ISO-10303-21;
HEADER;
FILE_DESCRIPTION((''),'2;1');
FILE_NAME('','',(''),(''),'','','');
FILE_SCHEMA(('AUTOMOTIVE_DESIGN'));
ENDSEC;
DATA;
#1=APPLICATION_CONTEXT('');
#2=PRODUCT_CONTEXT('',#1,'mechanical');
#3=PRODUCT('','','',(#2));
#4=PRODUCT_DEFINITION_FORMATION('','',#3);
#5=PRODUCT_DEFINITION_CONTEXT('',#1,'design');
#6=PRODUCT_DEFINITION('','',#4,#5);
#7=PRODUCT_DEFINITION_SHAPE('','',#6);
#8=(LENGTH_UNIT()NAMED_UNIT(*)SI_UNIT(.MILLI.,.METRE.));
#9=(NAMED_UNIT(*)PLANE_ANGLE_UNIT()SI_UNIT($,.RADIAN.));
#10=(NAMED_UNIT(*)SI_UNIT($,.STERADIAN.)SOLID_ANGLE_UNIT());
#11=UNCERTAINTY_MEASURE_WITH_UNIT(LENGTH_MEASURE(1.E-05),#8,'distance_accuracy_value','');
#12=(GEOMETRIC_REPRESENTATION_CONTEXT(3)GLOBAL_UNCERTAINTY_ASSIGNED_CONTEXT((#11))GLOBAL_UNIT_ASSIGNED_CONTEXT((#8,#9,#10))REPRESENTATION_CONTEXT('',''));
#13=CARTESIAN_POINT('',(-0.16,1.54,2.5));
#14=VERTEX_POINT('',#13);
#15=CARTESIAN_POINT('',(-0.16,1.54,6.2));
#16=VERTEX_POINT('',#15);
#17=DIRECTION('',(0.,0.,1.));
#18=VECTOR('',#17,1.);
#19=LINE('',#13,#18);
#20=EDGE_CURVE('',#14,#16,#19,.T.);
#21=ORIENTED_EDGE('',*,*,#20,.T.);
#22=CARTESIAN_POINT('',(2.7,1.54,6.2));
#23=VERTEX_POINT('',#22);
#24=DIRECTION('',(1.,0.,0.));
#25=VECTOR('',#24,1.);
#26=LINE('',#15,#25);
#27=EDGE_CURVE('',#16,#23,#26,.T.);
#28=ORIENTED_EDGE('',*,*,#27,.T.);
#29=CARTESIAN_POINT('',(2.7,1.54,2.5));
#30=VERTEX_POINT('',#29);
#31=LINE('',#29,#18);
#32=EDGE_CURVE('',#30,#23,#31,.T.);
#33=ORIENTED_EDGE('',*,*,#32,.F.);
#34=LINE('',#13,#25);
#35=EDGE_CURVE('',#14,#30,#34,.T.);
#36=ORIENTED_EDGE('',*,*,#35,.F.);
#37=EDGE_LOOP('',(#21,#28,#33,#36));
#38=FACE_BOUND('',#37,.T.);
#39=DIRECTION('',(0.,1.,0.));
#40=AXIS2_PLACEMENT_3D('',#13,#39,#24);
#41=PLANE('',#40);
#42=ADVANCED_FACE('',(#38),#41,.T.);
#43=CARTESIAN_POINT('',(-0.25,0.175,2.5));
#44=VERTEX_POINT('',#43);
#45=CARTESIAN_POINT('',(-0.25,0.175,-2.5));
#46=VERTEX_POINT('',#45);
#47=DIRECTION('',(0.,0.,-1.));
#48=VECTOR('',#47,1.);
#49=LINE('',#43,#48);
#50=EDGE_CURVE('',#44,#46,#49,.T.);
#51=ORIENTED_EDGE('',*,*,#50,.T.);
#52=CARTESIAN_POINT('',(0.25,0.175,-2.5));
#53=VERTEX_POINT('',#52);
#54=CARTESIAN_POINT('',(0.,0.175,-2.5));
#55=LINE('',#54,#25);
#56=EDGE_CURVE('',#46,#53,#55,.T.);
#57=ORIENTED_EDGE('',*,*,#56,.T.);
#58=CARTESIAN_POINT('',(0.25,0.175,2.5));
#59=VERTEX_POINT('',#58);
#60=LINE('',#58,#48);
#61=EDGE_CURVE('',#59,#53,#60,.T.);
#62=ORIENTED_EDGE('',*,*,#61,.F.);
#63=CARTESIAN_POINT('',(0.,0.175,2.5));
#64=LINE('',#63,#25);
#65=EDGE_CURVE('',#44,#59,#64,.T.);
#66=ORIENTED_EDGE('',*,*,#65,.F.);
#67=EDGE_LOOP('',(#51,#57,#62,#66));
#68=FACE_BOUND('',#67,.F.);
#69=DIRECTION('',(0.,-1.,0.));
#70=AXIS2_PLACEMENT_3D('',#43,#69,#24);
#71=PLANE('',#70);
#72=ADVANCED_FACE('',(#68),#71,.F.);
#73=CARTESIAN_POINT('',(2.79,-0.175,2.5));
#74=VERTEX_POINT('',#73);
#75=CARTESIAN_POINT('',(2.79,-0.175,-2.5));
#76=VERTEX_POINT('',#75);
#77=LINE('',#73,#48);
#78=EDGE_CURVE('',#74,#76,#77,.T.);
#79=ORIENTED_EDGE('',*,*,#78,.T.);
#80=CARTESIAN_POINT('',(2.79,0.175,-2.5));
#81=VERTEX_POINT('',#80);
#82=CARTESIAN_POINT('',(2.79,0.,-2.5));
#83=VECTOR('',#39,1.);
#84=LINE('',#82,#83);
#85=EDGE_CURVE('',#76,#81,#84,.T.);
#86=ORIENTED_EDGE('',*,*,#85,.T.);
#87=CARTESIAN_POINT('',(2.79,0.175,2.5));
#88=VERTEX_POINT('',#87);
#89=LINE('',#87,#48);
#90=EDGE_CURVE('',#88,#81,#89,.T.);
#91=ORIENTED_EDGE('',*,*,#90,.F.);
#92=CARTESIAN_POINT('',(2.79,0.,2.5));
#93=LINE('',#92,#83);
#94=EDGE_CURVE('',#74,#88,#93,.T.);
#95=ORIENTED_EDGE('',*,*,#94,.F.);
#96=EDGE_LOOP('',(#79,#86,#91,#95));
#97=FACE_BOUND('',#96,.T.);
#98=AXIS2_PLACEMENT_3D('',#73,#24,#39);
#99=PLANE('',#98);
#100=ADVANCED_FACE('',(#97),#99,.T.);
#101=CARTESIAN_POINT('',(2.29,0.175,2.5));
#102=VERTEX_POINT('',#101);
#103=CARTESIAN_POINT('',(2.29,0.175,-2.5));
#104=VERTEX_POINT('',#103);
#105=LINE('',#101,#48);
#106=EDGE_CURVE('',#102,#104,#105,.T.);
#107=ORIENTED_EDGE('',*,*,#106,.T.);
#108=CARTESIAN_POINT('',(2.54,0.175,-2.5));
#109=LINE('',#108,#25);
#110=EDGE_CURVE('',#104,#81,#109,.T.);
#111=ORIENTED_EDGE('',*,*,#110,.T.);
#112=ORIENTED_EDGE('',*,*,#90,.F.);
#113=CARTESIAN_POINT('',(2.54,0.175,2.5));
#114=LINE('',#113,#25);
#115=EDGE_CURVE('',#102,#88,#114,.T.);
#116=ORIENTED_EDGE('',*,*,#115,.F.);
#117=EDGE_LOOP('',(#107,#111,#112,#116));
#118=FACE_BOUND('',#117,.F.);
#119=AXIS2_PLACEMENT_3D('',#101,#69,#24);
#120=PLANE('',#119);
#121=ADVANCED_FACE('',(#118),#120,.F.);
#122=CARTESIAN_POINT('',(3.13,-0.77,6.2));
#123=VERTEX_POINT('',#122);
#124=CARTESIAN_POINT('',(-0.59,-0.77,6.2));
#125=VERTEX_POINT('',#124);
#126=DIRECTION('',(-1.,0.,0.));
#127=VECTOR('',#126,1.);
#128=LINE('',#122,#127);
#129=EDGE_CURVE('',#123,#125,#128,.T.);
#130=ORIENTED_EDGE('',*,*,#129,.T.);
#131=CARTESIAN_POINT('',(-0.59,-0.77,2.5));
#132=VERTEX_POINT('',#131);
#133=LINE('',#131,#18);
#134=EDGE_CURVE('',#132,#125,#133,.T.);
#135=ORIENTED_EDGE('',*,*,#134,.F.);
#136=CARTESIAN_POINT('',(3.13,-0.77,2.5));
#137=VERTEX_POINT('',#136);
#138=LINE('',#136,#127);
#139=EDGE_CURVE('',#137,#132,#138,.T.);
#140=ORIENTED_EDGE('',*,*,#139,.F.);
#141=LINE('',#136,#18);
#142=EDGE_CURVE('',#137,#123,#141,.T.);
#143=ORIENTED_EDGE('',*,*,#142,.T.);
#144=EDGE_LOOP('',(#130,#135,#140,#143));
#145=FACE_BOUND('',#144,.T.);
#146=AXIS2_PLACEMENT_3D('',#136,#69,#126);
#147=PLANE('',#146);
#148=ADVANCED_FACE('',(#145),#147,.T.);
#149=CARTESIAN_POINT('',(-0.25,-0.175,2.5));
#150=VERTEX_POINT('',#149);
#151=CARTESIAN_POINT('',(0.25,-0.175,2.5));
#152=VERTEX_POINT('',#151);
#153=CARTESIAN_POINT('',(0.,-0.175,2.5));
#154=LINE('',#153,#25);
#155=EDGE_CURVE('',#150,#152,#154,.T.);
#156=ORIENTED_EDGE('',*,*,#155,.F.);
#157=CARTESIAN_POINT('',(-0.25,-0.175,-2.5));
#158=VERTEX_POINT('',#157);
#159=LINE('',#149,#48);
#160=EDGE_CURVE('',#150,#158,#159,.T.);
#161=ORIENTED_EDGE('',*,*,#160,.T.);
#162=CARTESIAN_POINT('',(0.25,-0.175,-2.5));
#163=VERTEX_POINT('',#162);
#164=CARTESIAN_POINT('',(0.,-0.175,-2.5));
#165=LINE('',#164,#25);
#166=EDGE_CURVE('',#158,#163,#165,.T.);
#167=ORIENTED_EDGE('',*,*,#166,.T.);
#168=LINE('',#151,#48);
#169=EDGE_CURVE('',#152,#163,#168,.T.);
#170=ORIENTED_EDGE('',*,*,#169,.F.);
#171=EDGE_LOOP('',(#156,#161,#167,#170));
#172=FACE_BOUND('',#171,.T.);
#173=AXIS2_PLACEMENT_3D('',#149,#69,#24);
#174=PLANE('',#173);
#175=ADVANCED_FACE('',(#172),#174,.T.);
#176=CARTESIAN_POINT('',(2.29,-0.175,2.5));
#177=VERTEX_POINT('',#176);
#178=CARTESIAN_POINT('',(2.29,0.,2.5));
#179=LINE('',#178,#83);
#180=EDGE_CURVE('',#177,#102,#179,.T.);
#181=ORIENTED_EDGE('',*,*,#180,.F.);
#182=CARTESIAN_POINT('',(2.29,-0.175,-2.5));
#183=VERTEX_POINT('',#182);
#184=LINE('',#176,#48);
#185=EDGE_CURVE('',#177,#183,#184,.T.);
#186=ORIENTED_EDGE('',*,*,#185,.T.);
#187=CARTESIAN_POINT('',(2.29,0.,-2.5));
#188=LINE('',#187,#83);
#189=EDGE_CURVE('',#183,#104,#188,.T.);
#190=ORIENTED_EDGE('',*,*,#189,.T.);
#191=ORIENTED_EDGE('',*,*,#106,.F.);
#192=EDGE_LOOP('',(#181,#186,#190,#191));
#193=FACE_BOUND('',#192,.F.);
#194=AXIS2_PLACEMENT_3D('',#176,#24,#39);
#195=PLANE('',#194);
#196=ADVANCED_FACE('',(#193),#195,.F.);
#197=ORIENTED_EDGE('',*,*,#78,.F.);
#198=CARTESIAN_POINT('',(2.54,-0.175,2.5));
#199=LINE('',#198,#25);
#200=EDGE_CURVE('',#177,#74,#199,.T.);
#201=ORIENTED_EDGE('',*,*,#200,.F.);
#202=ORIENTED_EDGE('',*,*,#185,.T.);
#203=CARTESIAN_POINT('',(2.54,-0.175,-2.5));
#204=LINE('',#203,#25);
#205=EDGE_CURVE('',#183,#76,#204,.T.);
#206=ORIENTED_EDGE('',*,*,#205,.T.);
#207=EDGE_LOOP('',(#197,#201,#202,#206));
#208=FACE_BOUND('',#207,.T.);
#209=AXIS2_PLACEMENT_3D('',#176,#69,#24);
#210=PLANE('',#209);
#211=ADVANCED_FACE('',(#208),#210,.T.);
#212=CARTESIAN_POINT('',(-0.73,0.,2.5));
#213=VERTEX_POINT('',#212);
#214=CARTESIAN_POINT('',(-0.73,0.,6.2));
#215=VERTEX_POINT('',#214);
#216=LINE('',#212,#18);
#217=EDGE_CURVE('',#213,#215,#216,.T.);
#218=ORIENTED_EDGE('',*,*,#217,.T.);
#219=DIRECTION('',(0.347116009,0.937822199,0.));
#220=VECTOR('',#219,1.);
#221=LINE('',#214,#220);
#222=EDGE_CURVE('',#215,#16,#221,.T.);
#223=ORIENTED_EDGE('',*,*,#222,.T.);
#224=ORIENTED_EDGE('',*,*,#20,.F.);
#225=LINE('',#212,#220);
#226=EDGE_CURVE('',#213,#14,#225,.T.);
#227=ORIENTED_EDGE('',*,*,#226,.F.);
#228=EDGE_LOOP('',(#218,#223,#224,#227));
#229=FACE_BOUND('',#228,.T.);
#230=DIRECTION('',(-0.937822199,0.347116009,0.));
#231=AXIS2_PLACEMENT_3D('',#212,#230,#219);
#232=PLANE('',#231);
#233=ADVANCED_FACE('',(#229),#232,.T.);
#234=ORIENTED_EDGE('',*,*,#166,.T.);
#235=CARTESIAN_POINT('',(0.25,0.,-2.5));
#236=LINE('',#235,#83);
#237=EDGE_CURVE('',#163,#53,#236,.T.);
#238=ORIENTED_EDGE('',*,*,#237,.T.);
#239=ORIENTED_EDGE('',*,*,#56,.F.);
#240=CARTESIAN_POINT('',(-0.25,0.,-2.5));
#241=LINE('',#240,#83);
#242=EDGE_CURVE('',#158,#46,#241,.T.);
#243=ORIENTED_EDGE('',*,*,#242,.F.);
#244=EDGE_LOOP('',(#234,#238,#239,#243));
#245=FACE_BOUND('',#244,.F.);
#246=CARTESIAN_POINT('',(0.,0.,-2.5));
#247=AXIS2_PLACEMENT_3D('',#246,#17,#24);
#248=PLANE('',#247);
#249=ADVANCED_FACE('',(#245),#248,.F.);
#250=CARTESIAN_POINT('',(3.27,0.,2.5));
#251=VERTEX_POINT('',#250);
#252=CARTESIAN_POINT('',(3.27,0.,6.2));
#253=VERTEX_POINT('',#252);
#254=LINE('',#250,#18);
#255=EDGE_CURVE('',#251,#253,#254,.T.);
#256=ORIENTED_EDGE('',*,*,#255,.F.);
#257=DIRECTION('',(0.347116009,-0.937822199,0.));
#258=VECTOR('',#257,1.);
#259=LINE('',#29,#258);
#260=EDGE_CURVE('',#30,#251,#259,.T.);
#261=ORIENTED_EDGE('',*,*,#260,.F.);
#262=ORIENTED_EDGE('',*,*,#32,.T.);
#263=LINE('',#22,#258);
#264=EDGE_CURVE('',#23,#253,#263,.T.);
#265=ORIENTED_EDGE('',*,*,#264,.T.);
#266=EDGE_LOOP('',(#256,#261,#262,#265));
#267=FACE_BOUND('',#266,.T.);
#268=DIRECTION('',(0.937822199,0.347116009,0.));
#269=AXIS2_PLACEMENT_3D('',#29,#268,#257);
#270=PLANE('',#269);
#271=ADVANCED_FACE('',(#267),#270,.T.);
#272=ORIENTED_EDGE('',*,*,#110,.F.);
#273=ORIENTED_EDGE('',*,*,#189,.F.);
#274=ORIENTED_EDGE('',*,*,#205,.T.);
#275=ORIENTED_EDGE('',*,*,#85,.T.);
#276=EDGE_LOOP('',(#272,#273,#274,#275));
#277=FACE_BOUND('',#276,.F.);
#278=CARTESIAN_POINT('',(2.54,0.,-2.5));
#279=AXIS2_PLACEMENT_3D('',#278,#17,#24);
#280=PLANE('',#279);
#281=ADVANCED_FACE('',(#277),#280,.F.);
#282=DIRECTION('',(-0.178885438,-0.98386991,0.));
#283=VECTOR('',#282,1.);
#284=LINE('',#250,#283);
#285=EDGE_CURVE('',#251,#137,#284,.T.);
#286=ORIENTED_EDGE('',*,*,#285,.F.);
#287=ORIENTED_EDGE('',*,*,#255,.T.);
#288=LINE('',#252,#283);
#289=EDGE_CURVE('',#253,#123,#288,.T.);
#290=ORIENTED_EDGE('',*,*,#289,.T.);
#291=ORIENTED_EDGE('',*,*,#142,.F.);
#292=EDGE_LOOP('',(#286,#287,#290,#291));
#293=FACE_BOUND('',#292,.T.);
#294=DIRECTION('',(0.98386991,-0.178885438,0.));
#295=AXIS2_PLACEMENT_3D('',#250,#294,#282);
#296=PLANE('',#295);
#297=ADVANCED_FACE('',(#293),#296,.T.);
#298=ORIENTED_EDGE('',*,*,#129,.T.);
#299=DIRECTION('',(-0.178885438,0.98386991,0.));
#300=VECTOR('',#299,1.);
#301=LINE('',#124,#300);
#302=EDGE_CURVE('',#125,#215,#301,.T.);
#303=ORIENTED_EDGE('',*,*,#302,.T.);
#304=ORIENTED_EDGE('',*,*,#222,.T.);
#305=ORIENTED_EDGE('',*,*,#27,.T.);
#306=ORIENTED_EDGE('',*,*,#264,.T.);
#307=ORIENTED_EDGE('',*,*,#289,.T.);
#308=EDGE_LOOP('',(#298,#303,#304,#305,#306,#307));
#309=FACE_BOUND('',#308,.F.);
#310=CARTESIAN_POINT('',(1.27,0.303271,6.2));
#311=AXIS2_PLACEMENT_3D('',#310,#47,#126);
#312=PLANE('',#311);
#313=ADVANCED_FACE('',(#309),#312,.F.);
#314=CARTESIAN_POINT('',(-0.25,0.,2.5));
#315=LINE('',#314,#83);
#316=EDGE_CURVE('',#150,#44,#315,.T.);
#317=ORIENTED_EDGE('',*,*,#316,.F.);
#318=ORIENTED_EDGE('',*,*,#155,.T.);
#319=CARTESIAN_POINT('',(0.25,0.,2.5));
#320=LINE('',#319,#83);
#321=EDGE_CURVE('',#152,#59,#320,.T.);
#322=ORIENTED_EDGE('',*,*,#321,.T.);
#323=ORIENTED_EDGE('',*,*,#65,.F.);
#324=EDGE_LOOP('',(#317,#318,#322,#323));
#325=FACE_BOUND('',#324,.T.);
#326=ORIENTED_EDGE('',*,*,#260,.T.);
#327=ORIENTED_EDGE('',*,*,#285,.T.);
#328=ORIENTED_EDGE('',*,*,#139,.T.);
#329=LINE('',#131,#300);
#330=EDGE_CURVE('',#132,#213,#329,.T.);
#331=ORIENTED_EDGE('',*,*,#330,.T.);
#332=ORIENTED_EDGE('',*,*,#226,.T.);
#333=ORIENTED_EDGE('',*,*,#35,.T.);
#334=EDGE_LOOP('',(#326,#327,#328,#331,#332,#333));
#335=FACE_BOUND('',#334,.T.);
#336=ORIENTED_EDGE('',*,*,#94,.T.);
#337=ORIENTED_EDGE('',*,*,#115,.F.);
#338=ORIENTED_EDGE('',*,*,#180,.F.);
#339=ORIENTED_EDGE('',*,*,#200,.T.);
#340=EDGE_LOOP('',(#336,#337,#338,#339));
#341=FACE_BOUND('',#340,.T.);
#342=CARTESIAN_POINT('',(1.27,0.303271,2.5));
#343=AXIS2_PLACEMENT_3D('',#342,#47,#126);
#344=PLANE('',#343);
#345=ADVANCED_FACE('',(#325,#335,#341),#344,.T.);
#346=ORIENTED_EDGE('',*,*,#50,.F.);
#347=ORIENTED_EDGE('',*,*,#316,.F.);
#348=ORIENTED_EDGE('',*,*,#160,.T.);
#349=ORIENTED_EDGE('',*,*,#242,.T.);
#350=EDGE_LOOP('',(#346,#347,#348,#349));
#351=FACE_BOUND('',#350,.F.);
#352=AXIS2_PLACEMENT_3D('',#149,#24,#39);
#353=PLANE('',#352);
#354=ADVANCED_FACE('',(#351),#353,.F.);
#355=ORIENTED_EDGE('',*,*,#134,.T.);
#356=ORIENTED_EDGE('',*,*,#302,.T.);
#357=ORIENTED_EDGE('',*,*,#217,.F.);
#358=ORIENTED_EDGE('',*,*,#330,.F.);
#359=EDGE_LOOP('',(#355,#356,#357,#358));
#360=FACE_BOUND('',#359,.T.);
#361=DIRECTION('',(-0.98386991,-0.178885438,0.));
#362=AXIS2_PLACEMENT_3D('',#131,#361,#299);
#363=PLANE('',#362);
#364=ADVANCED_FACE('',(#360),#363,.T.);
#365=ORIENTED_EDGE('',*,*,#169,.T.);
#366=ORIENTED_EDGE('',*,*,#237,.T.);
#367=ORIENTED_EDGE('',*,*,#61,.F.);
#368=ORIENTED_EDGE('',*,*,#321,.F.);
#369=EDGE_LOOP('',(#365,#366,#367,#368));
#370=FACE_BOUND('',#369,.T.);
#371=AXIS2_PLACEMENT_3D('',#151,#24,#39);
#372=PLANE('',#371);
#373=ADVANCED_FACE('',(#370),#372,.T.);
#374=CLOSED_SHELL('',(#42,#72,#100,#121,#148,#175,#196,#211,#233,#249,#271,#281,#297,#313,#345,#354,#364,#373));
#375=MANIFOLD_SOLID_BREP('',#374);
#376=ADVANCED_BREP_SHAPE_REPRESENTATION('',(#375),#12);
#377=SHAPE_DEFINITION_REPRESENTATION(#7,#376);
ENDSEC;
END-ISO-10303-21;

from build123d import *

# Parameters (mm, degrees)
PAD_DEPTH    = 3.7
SKETCH001_W  = 0.5
SKETCH001_H  = 0.35
PAD001_DEPTH = 5


with BuildPart() as pad:
    # Sketch → Pad (new body)
    with BuildSketch(Plane.XY.offset(2.5)):
        Polygon((-0.16, 1.54), (2.7, 1.54), (3.27, 0), (3.13, -0.77), (-0.59, -0.77), (-0.73, 0), align=None)
    extrude(amount=PAD_DEPTH)


with BuildPart() as pad001_mp_cp:
    # Sketch001 → Pad001 (new body)
    with BuildSketch(Plane.XY.offset(2.5)):
        Rectangle(SKETCH001_W, SKETCH001_H)
        with Locations((2.54, 0)):
            Rectangle(SKETCH001_W, SKETCH001_H)
    extrude(amount=-PAD001_DEPTH)

    # Pad001_mp_cp: union Pad
    add(pad.part)


solid = pad001_mp_cp.part
